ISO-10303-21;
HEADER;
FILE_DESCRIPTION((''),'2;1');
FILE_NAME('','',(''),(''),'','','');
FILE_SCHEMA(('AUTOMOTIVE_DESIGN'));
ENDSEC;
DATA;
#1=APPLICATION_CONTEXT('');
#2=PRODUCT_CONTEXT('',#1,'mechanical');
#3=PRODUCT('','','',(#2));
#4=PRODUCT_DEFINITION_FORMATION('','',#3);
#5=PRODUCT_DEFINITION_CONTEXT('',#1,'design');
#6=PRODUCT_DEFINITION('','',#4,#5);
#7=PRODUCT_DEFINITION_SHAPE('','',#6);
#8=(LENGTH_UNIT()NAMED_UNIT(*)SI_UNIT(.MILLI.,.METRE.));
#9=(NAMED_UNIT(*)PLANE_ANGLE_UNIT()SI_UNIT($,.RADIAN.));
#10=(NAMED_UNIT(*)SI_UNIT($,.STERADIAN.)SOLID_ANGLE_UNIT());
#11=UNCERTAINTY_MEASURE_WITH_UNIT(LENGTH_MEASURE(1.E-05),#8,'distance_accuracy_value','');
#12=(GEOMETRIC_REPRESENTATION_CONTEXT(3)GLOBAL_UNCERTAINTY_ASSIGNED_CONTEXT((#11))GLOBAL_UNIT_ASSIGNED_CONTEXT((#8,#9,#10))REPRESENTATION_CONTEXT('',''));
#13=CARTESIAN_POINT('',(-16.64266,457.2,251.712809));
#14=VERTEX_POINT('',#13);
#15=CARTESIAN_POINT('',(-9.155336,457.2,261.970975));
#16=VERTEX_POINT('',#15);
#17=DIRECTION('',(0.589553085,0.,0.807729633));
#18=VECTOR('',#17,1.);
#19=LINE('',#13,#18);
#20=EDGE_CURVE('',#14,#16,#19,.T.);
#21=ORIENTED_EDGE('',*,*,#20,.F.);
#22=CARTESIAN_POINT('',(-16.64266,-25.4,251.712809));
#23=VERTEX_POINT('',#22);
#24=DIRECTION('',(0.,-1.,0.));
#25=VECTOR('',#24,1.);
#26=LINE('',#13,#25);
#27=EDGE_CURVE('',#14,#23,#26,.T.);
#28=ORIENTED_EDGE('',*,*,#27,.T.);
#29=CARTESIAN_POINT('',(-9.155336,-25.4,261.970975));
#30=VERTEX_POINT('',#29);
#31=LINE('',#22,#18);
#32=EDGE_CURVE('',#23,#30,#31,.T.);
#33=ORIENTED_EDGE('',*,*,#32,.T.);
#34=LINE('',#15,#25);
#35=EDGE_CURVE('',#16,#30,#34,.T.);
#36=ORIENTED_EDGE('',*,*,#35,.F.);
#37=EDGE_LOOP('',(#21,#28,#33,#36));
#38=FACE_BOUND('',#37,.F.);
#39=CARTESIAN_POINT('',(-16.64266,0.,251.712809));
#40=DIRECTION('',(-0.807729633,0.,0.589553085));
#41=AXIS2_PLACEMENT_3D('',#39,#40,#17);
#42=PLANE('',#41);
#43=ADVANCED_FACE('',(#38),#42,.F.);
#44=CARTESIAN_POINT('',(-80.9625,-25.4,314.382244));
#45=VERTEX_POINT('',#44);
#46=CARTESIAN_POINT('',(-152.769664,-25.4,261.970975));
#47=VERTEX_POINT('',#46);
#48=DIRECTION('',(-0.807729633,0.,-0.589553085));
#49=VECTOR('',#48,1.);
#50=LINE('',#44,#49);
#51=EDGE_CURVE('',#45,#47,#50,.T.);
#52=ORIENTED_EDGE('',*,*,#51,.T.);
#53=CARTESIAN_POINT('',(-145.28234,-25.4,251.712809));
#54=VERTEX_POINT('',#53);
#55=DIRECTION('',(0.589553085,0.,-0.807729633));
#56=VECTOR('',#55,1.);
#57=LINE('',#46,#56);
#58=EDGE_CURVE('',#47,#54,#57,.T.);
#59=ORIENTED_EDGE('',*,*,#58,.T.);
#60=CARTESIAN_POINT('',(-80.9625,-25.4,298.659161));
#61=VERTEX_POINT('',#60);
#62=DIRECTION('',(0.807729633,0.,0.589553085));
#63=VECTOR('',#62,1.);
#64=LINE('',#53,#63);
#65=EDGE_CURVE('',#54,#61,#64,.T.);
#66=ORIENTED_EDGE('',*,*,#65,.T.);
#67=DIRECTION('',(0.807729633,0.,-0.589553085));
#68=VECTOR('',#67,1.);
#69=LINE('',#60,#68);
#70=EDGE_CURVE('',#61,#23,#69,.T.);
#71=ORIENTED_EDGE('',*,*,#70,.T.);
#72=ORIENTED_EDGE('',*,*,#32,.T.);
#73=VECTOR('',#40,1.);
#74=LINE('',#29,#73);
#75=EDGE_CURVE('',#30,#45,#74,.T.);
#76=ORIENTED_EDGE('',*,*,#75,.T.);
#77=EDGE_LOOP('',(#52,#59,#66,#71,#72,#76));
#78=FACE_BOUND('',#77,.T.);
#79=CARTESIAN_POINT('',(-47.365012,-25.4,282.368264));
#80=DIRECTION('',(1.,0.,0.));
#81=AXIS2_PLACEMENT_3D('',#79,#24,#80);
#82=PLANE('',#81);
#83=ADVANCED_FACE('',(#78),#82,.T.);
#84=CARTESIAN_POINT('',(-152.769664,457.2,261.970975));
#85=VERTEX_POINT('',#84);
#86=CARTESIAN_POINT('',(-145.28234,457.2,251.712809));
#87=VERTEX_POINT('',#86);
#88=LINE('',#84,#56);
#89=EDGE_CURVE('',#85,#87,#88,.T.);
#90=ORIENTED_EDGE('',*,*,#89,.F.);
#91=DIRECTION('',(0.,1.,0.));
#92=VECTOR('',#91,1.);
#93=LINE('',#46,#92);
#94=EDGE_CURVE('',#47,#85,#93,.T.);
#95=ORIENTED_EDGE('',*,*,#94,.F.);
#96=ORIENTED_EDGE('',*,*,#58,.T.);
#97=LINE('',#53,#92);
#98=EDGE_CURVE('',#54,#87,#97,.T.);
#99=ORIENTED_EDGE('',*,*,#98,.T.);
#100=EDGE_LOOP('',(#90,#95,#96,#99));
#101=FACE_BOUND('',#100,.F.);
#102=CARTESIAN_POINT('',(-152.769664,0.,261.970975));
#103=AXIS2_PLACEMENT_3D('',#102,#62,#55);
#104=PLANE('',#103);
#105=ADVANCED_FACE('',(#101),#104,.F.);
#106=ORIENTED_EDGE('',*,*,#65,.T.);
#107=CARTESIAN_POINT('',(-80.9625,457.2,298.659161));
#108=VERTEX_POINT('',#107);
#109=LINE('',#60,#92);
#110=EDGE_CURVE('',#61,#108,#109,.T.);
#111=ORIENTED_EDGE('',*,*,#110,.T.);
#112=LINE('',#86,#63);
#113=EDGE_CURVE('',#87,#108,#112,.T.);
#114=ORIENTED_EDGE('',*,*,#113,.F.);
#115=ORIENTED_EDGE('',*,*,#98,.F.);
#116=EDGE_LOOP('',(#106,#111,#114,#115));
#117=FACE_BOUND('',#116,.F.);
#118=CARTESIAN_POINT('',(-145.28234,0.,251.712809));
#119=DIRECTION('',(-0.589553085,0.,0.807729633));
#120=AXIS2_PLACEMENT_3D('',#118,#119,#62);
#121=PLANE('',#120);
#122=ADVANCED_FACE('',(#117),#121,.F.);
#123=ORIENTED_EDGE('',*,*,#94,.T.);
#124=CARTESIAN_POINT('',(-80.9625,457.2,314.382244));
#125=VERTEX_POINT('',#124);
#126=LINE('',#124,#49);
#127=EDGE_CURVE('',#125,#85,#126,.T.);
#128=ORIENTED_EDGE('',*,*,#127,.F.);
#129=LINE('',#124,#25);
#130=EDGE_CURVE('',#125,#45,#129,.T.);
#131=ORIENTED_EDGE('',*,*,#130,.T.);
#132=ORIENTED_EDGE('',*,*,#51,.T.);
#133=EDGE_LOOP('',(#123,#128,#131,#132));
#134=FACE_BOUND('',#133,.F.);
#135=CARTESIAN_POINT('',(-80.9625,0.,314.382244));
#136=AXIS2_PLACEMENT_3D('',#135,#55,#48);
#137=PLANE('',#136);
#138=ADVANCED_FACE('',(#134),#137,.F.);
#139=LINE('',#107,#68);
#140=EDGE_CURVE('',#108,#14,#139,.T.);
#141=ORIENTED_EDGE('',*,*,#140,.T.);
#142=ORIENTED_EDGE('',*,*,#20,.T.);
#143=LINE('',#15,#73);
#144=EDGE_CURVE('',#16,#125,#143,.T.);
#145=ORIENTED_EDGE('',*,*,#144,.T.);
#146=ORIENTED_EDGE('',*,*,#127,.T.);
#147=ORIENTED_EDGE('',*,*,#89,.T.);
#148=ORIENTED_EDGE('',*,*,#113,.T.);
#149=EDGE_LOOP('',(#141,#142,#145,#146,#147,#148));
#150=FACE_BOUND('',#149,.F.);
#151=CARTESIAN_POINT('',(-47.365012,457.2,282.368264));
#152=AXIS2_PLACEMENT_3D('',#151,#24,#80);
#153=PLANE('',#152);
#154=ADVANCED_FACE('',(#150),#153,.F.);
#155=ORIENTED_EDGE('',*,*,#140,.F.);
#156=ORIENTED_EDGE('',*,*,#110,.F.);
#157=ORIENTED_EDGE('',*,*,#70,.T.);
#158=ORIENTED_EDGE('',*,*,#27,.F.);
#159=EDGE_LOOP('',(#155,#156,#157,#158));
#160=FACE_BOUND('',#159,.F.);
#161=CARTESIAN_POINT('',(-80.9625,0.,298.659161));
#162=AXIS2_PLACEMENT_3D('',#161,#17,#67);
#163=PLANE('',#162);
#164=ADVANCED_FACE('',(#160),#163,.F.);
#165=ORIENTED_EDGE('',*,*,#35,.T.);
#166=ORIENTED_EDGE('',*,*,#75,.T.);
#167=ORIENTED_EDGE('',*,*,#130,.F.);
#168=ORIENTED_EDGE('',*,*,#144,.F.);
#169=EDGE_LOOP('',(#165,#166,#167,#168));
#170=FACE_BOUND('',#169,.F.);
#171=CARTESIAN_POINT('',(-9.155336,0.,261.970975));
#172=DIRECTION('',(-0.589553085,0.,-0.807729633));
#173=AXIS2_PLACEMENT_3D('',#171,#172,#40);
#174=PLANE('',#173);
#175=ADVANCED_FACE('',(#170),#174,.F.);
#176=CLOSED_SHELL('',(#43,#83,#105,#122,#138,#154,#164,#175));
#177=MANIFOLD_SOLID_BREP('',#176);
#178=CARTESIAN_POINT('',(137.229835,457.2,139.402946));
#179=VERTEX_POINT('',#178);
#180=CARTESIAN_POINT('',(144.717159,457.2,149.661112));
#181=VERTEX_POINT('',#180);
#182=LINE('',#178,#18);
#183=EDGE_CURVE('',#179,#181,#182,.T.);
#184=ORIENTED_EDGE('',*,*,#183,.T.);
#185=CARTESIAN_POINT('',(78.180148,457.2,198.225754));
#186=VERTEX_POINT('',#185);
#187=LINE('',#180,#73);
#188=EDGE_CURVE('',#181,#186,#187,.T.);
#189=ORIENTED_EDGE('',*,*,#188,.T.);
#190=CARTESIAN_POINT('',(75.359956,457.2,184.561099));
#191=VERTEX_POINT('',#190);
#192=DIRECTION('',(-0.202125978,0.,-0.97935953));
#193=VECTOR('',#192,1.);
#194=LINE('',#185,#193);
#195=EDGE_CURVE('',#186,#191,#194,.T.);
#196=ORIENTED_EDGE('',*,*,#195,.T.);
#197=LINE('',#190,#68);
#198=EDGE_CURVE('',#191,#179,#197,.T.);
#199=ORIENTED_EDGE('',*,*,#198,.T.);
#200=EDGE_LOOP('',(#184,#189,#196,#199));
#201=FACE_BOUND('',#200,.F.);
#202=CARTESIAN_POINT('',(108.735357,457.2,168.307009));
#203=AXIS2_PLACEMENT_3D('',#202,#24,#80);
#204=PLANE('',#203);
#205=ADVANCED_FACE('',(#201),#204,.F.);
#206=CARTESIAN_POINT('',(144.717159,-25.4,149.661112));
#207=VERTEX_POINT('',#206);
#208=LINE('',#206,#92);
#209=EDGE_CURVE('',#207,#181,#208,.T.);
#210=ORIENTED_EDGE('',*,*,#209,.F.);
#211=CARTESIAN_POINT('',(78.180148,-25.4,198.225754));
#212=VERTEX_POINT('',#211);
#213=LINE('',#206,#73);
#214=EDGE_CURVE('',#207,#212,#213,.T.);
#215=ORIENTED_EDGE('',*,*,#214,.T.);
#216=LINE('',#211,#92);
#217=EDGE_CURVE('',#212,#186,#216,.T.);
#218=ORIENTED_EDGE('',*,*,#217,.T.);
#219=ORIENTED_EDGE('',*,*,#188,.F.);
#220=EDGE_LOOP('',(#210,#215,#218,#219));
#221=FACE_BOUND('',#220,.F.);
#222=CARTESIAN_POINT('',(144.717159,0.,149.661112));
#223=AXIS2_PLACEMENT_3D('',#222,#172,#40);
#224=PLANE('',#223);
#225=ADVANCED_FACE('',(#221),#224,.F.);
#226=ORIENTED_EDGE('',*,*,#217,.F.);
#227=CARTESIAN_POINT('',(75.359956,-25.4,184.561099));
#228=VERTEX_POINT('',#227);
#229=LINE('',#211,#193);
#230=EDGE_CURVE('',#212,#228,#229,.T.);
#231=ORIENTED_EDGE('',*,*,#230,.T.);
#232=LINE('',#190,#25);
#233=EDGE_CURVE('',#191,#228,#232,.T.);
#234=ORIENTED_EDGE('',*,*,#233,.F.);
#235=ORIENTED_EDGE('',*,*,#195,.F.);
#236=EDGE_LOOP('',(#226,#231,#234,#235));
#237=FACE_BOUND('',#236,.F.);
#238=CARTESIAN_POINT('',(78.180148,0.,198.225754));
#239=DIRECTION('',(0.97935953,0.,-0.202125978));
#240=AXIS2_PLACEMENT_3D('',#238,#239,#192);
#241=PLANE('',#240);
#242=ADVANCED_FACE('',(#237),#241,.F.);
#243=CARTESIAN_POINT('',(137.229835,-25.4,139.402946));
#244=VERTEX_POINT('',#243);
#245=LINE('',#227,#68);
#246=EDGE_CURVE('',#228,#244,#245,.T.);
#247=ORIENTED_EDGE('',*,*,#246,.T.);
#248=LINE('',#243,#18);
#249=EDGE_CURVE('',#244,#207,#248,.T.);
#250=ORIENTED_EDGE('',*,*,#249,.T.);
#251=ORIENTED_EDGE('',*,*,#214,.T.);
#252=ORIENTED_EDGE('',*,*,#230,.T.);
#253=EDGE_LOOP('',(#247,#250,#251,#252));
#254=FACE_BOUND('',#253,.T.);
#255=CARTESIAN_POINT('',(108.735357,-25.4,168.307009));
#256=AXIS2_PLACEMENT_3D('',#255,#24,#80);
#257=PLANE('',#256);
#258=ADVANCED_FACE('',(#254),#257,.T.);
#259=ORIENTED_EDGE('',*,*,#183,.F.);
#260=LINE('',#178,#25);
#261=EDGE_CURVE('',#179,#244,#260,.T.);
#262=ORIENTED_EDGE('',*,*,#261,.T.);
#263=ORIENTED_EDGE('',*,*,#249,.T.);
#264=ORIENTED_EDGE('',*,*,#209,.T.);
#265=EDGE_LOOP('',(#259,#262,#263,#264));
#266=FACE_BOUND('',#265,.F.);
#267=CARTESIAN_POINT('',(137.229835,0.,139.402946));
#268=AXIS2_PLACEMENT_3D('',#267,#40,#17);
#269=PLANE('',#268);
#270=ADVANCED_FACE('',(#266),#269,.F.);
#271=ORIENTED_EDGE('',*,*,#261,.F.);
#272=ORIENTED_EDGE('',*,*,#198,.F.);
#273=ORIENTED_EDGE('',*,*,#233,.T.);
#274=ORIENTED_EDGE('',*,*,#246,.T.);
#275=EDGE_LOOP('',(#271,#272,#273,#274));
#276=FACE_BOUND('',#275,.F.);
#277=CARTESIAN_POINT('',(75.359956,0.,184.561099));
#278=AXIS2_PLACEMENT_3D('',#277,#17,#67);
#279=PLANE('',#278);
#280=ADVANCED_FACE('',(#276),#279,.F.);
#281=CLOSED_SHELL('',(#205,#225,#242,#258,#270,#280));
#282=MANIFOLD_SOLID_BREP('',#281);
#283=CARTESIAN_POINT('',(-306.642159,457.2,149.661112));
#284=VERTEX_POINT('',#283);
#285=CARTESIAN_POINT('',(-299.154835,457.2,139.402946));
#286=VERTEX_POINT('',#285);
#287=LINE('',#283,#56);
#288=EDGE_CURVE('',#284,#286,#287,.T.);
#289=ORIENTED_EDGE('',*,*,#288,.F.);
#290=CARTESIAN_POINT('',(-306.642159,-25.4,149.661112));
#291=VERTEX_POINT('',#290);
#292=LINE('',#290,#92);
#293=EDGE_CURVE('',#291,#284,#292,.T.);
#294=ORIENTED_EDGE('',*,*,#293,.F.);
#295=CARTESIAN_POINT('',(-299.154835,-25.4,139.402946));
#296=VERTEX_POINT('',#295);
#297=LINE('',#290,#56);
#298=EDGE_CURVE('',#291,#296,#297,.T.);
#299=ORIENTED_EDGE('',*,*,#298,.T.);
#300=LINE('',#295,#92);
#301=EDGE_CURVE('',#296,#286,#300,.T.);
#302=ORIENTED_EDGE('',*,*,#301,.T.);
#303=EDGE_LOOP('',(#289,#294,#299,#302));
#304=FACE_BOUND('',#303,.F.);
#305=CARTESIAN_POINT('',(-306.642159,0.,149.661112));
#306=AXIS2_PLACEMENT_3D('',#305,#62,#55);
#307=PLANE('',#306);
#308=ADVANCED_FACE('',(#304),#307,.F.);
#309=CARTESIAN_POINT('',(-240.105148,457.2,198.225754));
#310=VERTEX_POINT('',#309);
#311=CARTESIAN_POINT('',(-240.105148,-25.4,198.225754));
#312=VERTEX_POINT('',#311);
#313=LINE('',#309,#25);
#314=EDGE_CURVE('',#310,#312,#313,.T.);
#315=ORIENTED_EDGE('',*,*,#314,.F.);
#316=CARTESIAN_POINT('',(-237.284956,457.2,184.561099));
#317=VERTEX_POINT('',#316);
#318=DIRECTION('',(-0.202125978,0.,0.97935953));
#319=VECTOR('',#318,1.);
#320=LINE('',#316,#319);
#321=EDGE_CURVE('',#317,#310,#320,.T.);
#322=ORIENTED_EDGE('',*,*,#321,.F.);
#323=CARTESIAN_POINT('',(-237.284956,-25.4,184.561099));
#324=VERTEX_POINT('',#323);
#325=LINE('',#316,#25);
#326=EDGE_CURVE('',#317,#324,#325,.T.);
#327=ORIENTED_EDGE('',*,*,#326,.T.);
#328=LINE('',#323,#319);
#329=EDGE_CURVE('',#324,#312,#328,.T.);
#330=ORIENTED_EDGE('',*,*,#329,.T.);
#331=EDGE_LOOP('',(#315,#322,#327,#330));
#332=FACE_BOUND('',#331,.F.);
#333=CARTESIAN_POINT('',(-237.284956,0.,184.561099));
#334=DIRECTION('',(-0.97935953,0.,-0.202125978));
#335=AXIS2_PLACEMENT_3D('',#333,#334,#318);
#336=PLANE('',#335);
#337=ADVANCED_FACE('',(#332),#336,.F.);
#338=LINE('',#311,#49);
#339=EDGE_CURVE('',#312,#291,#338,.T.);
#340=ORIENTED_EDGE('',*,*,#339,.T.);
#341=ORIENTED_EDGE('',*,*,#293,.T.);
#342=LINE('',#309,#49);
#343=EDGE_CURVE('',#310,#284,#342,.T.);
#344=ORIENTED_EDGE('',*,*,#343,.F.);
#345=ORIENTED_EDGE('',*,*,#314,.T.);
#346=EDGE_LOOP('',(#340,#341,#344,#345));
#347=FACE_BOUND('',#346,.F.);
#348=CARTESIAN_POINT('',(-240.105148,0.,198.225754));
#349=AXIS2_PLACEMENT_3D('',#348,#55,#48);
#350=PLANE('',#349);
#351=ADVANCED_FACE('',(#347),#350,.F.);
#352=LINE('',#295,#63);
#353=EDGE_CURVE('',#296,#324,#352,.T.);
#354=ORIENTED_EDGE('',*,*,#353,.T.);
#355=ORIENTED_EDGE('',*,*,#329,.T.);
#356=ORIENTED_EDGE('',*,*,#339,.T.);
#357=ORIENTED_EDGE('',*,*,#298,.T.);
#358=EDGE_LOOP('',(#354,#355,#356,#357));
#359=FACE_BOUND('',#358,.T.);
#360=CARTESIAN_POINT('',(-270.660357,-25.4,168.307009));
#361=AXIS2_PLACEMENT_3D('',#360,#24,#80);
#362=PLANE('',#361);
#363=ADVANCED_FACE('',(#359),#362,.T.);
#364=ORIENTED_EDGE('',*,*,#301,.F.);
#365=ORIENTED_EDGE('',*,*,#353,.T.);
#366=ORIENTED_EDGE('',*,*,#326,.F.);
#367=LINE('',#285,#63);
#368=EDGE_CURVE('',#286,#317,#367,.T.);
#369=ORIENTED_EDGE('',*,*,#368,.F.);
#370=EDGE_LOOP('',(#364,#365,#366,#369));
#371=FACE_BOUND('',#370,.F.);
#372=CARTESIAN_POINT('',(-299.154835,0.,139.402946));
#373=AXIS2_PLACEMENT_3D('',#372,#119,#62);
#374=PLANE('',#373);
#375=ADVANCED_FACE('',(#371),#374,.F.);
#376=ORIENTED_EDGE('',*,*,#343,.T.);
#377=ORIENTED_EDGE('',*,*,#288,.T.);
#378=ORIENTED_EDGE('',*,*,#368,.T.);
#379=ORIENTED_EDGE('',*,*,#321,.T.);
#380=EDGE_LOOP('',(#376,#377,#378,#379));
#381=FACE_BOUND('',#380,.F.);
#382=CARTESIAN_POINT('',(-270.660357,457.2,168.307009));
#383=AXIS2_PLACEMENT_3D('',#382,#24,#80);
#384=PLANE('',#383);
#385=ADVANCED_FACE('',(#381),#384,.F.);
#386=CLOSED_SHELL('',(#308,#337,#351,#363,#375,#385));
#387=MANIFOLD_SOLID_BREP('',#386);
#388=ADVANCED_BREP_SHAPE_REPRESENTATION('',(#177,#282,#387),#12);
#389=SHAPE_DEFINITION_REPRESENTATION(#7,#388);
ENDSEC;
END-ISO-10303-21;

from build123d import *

# Parameters (mm, degrees)
F1_DEPTH      = 457.2
F1_DEPTH_BACK = 25.4


with BuildPart() as f1:
    # F0 (on Front) → F1 (new body, two sides)
    with BuildSketch(Plane.XZ) as f1_sk:
        Polygon((-299.1548351821, 139.4029458545), (-237.2849558077, 184.5610987857), (-240.105147751, 198.2257542497), (-306.6421593668, 149.6611121894), align=None)
    extrude(amount=-F1_DEPTH)
    extrude(f1_sk.sketch, amount=F1_DEPTH_BACK)


with BuildPart() as f1b:
    # F0 (on Front) → F1, piece 2 (new body, two sides)
    with BuildSketch(Plane.XZ) as f1_2_sk:
        Polygon((-80.9625, 298.6591613216), (-16.6426598407, 251.7128086247), (-9.155335656, 261.9709749596), (-80.9625, 314.3822442523), align=None)
        Polygon((-145.2823401593, 251.7128086247), (-80.9625, 298.6591613216), (-80.9625, 314.3822442523), (-152.769664344, 261.9709749596), align=None)
    extrude(amount=-F1_DEPTH)
    extrude(f1_2_sk.sketch, amount=F1_DEPTH_BACK)


with BuildPart() as f1c:
    # F0 (on Front) → F1, piece 3 (new body, two sides)
    with BuildSketch(Plane.XZ) as f1_3_sk:
        Polygon((78.180147751, 198.2257542497), (75.3599558077, 184.5610987857), (137.2298351821, 139.4029458545), (144.7171593668, 149.6611121894), align=None)
    extrude(amount=-F1_DEPTH)
    extrude(f1_3_sk.sketch, amount=F1_DEPTH_BACK)


solid = Compound([f1.part, f1b.part, f1c.part])
